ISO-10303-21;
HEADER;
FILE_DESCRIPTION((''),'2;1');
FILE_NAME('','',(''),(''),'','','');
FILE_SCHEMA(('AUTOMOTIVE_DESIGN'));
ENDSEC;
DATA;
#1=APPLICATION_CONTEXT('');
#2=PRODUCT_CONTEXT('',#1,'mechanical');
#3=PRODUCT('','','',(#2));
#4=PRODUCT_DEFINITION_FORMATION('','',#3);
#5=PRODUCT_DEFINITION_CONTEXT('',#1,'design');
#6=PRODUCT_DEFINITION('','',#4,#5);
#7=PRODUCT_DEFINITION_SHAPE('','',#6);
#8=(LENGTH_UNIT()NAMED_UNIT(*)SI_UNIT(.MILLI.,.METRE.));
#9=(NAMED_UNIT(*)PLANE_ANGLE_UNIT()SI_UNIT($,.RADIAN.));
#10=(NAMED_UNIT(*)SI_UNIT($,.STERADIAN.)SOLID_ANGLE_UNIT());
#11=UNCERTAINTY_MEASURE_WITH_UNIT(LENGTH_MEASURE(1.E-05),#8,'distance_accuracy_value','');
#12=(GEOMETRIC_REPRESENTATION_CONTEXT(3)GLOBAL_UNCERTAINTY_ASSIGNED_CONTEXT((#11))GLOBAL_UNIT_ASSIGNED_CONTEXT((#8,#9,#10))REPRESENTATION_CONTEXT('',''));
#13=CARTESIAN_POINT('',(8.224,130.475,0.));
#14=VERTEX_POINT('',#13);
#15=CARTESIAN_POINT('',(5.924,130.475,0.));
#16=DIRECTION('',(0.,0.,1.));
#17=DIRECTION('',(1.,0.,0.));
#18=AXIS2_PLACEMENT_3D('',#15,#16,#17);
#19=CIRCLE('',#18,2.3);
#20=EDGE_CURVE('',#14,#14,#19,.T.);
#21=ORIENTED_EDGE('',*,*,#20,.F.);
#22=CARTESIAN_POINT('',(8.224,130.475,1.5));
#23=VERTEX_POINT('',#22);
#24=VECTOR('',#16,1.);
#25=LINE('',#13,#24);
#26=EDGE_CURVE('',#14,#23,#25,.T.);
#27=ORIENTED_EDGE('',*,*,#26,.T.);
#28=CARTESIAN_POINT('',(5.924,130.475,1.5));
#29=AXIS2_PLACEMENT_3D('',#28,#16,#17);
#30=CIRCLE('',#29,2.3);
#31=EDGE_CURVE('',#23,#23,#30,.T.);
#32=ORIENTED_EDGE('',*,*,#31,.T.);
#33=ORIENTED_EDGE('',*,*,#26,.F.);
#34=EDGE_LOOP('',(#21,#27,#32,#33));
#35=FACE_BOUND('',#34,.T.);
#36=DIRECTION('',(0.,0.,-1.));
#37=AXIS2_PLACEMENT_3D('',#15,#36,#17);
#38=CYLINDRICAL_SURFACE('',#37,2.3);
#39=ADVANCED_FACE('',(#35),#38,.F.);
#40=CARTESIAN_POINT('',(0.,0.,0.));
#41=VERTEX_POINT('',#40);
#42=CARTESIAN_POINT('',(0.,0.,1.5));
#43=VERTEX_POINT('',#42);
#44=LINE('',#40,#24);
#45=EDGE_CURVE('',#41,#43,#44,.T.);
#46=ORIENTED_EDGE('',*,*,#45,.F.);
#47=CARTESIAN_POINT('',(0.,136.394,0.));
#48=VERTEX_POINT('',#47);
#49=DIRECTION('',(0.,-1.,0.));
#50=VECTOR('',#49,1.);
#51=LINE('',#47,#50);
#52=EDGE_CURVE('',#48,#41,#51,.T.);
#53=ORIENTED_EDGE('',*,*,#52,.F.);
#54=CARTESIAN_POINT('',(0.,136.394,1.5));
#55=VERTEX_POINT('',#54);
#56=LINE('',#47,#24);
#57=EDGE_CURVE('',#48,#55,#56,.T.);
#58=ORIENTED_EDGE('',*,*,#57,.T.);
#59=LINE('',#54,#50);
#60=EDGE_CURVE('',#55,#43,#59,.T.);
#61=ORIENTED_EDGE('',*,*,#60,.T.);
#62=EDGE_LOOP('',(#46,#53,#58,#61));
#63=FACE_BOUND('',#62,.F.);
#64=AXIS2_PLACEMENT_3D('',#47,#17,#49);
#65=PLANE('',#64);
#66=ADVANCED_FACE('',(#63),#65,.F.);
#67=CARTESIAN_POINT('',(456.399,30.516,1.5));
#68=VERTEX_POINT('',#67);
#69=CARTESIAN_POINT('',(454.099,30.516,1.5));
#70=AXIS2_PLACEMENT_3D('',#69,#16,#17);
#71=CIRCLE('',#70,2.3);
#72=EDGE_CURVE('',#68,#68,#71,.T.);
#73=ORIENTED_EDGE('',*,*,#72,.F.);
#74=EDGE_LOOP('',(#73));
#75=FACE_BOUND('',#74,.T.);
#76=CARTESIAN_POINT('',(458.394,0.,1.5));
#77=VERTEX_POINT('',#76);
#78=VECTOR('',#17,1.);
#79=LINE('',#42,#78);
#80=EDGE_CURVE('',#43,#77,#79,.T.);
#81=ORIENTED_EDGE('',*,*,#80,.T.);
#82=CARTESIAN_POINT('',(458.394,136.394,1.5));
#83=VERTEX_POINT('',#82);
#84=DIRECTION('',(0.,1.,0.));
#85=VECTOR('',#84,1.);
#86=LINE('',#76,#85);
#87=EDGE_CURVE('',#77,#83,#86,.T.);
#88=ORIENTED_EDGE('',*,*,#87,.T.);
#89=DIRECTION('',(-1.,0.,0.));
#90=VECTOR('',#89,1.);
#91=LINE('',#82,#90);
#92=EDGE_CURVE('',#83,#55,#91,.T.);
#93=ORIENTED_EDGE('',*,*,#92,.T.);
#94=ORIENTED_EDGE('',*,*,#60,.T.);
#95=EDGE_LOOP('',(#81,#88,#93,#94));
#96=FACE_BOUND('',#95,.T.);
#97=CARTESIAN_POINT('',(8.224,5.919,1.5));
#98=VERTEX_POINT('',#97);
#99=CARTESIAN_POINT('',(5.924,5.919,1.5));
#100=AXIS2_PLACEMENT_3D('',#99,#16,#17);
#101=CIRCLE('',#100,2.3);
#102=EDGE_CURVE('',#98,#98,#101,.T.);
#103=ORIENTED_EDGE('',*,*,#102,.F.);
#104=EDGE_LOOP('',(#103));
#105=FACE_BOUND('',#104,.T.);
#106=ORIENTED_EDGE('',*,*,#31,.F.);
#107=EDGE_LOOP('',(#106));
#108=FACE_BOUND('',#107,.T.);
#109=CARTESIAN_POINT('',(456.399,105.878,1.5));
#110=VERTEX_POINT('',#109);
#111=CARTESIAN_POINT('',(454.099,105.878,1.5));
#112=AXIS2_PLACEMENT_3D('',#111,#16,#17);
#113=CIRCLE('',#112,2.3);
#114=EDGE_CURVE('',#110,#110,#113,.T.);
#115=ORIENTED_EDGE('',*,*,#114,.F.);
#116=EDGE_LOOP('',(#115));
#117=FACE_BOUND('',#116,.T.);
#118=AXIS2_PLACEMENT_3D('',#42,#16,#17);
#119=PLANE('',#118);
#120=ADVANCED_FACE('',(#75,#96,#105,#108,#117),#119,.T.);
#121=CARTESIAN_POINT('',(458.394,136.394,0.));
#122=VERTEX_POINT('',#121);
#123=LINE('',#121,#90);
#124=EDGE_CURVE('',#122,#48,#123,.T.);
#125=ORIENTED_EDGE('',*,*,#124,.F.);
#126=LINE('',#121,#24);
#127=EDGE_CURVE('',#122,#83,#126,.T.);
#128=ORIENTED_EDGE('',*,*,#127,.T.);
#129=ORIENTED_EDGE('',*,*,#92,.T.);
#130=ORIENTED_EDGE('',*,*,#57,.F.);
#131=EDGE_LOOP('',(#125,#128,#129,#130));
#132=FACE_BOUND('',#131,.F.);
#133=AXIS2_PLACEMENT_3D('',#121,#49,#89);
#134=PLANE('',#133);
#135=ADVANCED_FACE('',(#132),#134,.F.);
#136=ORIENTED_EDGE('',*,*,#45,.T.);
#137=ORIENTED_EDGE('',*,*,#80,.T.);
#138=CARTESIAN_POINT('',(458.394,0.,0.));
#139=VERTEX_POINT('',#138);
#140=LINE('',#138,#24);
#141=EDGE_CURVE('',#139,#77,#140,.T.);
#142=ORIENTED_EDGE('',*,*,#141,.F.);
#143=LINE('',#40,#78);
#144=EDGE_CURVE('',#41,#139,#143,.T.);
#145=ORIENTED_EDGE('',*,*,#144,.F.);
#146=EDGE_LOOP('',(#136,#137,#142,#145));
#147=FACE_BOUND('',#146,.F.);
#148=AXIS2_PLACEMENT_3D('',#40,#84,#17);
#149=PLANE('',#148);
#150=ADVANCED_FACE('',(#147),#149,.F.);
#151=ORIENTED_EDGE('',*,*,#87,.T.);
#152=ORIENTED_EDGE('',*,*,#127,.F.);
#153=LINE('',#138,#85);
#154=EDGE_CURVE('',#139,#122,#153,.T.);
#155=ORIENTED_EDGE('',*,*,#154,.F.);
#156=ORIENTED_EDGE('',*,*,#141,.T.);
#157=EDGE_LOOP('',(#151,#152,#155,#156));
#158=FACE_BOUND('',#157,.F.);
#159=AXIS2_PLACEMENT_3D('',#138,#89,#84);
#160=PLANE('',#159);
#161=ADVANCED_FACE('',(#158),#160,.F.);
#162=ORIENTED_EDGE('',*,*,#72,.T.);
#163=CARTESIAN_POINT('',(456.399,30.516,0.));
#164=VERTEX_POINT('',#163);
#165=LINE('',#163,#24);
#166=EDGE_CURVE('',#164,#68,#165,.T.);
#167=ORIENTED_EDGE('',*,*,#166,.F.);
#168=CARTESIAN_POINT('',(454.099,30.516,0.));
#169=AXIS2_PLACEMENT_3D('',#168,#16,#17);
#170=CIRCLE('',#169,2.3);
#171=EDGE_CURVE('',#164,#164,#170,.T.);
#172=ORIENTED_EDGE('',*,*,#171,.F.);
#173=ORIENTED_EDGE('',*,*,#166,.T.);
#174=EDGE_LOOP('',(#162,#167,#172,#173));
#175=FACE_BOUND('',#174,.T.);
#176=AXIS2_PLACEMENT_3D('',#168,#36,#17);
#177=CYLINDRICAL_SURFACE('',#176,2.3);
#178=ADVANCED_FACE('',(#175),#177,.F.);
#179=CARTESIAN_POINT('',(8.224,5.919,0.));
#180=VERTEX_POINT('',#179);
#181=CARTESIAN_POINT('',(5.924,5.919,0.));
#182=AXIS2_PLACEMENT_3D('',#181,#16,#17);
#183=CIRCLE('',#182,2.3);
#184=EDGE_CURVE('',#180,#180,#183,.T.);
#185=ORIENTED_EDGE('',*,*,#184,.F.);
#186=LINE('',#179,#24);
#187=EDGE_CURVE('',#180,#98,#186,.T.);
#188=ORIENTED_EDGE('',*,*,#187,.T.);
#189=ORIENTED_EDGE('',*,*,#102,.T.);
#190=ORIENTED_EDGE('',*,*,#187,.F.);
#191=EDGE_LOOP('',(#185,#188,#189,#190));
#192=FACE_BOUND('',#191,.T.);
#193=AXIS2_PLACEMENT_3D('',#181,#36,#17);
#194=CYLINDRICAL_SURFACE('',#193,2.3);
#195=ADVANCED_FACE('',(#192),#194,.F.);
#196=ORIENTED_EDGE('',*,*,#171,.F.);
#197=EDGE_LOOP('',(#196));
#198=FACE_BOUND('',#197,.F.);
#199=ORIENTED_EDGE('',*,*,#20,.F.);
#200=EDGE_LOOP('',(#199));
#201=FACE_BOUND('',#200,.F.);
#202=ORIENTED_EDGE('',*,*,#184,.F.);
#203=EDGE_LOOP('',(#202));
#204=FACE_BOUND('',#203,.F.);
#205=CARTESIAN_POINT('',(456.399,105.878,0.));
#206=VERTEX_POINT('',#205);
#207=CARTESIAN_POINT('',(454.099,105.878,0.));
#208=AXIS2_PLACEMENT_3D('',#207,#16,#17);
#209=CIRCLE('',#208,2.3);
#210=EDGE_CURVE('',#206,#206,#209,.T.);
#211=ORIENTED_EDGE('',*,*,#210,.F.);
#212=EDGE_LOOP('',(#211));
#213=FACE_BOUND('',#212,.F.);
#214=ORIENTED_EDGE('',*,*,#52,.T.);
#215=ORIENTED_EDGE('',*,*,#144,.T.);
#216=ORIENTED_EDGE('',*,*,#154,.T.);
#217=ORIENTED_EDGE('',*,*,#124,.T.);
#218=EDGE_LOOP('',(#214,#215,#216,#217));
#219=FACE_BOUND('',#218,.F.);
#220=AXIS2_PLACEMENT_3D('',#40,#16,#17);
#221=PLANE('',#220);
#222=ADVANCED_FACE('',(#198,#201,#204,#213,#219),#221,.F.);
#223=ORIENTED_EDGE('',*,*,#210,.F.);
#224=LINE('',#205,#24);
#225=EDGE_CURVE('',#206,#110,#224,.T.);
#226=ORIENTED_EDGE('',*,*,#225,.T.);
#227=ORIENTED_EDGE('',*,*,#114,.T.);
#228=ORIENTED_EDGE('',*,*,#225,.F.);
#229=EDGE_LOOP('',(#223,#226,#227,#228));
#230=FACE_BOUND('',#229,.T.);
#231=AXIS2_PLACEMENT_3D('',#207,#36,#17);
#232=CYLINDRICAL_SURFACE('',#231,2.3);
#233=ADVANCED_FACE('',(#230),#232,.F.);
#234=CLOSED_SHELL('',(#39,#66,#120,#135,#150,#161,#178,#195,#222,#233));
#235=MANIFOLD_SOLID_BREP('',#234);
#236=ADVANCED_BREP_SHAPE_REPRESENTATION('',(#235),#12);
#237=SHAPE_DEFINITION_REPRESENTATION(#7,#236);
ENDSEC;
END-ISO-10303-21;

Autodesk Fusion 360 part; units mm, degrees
sketch "Sketch1" plane through (0, 0, 0) normal (0, 0, 1) x (1, 0, 0)
  line L0 (0, 0) -> (458.394, 0)
  line L1 (458.394, 0) -> (458.394, 136.394)
  line L2 (458.394, 136.394) -> (0, 136.394)
  line L3 (0, 136.394) -> (0, 0)
  circle A0 centre (5.924, 130.475) radius 2.3
  circle A1 centre (5.924, 5.919) radius 2.3
  circle A2 centre (454.099, 30.516) radius 2.3
  circle A3 centre (454.099, 105.878) radius 2.3
  dimension "d1" = 136.394
  dimension "d2" = 458.394
  dimension "d3" = 4.6
  dimension "d4" = 5.919
  dimension "d5" = 5.924
  dimension "d6" = 4.6
  dimension "d7" = 5.919
  dimension "d8" = 5.924
  dimension "d9" = 4.6
  dimension "d10" = 4.295
  dimension "d11" = 30.516
  dimension "d12" = 4.6
  dimension "d13" = 30.516
  dimension "d14" = 4.295
extrude "Extrude1" add sketch "Sketch1" along normal blind 1.5
